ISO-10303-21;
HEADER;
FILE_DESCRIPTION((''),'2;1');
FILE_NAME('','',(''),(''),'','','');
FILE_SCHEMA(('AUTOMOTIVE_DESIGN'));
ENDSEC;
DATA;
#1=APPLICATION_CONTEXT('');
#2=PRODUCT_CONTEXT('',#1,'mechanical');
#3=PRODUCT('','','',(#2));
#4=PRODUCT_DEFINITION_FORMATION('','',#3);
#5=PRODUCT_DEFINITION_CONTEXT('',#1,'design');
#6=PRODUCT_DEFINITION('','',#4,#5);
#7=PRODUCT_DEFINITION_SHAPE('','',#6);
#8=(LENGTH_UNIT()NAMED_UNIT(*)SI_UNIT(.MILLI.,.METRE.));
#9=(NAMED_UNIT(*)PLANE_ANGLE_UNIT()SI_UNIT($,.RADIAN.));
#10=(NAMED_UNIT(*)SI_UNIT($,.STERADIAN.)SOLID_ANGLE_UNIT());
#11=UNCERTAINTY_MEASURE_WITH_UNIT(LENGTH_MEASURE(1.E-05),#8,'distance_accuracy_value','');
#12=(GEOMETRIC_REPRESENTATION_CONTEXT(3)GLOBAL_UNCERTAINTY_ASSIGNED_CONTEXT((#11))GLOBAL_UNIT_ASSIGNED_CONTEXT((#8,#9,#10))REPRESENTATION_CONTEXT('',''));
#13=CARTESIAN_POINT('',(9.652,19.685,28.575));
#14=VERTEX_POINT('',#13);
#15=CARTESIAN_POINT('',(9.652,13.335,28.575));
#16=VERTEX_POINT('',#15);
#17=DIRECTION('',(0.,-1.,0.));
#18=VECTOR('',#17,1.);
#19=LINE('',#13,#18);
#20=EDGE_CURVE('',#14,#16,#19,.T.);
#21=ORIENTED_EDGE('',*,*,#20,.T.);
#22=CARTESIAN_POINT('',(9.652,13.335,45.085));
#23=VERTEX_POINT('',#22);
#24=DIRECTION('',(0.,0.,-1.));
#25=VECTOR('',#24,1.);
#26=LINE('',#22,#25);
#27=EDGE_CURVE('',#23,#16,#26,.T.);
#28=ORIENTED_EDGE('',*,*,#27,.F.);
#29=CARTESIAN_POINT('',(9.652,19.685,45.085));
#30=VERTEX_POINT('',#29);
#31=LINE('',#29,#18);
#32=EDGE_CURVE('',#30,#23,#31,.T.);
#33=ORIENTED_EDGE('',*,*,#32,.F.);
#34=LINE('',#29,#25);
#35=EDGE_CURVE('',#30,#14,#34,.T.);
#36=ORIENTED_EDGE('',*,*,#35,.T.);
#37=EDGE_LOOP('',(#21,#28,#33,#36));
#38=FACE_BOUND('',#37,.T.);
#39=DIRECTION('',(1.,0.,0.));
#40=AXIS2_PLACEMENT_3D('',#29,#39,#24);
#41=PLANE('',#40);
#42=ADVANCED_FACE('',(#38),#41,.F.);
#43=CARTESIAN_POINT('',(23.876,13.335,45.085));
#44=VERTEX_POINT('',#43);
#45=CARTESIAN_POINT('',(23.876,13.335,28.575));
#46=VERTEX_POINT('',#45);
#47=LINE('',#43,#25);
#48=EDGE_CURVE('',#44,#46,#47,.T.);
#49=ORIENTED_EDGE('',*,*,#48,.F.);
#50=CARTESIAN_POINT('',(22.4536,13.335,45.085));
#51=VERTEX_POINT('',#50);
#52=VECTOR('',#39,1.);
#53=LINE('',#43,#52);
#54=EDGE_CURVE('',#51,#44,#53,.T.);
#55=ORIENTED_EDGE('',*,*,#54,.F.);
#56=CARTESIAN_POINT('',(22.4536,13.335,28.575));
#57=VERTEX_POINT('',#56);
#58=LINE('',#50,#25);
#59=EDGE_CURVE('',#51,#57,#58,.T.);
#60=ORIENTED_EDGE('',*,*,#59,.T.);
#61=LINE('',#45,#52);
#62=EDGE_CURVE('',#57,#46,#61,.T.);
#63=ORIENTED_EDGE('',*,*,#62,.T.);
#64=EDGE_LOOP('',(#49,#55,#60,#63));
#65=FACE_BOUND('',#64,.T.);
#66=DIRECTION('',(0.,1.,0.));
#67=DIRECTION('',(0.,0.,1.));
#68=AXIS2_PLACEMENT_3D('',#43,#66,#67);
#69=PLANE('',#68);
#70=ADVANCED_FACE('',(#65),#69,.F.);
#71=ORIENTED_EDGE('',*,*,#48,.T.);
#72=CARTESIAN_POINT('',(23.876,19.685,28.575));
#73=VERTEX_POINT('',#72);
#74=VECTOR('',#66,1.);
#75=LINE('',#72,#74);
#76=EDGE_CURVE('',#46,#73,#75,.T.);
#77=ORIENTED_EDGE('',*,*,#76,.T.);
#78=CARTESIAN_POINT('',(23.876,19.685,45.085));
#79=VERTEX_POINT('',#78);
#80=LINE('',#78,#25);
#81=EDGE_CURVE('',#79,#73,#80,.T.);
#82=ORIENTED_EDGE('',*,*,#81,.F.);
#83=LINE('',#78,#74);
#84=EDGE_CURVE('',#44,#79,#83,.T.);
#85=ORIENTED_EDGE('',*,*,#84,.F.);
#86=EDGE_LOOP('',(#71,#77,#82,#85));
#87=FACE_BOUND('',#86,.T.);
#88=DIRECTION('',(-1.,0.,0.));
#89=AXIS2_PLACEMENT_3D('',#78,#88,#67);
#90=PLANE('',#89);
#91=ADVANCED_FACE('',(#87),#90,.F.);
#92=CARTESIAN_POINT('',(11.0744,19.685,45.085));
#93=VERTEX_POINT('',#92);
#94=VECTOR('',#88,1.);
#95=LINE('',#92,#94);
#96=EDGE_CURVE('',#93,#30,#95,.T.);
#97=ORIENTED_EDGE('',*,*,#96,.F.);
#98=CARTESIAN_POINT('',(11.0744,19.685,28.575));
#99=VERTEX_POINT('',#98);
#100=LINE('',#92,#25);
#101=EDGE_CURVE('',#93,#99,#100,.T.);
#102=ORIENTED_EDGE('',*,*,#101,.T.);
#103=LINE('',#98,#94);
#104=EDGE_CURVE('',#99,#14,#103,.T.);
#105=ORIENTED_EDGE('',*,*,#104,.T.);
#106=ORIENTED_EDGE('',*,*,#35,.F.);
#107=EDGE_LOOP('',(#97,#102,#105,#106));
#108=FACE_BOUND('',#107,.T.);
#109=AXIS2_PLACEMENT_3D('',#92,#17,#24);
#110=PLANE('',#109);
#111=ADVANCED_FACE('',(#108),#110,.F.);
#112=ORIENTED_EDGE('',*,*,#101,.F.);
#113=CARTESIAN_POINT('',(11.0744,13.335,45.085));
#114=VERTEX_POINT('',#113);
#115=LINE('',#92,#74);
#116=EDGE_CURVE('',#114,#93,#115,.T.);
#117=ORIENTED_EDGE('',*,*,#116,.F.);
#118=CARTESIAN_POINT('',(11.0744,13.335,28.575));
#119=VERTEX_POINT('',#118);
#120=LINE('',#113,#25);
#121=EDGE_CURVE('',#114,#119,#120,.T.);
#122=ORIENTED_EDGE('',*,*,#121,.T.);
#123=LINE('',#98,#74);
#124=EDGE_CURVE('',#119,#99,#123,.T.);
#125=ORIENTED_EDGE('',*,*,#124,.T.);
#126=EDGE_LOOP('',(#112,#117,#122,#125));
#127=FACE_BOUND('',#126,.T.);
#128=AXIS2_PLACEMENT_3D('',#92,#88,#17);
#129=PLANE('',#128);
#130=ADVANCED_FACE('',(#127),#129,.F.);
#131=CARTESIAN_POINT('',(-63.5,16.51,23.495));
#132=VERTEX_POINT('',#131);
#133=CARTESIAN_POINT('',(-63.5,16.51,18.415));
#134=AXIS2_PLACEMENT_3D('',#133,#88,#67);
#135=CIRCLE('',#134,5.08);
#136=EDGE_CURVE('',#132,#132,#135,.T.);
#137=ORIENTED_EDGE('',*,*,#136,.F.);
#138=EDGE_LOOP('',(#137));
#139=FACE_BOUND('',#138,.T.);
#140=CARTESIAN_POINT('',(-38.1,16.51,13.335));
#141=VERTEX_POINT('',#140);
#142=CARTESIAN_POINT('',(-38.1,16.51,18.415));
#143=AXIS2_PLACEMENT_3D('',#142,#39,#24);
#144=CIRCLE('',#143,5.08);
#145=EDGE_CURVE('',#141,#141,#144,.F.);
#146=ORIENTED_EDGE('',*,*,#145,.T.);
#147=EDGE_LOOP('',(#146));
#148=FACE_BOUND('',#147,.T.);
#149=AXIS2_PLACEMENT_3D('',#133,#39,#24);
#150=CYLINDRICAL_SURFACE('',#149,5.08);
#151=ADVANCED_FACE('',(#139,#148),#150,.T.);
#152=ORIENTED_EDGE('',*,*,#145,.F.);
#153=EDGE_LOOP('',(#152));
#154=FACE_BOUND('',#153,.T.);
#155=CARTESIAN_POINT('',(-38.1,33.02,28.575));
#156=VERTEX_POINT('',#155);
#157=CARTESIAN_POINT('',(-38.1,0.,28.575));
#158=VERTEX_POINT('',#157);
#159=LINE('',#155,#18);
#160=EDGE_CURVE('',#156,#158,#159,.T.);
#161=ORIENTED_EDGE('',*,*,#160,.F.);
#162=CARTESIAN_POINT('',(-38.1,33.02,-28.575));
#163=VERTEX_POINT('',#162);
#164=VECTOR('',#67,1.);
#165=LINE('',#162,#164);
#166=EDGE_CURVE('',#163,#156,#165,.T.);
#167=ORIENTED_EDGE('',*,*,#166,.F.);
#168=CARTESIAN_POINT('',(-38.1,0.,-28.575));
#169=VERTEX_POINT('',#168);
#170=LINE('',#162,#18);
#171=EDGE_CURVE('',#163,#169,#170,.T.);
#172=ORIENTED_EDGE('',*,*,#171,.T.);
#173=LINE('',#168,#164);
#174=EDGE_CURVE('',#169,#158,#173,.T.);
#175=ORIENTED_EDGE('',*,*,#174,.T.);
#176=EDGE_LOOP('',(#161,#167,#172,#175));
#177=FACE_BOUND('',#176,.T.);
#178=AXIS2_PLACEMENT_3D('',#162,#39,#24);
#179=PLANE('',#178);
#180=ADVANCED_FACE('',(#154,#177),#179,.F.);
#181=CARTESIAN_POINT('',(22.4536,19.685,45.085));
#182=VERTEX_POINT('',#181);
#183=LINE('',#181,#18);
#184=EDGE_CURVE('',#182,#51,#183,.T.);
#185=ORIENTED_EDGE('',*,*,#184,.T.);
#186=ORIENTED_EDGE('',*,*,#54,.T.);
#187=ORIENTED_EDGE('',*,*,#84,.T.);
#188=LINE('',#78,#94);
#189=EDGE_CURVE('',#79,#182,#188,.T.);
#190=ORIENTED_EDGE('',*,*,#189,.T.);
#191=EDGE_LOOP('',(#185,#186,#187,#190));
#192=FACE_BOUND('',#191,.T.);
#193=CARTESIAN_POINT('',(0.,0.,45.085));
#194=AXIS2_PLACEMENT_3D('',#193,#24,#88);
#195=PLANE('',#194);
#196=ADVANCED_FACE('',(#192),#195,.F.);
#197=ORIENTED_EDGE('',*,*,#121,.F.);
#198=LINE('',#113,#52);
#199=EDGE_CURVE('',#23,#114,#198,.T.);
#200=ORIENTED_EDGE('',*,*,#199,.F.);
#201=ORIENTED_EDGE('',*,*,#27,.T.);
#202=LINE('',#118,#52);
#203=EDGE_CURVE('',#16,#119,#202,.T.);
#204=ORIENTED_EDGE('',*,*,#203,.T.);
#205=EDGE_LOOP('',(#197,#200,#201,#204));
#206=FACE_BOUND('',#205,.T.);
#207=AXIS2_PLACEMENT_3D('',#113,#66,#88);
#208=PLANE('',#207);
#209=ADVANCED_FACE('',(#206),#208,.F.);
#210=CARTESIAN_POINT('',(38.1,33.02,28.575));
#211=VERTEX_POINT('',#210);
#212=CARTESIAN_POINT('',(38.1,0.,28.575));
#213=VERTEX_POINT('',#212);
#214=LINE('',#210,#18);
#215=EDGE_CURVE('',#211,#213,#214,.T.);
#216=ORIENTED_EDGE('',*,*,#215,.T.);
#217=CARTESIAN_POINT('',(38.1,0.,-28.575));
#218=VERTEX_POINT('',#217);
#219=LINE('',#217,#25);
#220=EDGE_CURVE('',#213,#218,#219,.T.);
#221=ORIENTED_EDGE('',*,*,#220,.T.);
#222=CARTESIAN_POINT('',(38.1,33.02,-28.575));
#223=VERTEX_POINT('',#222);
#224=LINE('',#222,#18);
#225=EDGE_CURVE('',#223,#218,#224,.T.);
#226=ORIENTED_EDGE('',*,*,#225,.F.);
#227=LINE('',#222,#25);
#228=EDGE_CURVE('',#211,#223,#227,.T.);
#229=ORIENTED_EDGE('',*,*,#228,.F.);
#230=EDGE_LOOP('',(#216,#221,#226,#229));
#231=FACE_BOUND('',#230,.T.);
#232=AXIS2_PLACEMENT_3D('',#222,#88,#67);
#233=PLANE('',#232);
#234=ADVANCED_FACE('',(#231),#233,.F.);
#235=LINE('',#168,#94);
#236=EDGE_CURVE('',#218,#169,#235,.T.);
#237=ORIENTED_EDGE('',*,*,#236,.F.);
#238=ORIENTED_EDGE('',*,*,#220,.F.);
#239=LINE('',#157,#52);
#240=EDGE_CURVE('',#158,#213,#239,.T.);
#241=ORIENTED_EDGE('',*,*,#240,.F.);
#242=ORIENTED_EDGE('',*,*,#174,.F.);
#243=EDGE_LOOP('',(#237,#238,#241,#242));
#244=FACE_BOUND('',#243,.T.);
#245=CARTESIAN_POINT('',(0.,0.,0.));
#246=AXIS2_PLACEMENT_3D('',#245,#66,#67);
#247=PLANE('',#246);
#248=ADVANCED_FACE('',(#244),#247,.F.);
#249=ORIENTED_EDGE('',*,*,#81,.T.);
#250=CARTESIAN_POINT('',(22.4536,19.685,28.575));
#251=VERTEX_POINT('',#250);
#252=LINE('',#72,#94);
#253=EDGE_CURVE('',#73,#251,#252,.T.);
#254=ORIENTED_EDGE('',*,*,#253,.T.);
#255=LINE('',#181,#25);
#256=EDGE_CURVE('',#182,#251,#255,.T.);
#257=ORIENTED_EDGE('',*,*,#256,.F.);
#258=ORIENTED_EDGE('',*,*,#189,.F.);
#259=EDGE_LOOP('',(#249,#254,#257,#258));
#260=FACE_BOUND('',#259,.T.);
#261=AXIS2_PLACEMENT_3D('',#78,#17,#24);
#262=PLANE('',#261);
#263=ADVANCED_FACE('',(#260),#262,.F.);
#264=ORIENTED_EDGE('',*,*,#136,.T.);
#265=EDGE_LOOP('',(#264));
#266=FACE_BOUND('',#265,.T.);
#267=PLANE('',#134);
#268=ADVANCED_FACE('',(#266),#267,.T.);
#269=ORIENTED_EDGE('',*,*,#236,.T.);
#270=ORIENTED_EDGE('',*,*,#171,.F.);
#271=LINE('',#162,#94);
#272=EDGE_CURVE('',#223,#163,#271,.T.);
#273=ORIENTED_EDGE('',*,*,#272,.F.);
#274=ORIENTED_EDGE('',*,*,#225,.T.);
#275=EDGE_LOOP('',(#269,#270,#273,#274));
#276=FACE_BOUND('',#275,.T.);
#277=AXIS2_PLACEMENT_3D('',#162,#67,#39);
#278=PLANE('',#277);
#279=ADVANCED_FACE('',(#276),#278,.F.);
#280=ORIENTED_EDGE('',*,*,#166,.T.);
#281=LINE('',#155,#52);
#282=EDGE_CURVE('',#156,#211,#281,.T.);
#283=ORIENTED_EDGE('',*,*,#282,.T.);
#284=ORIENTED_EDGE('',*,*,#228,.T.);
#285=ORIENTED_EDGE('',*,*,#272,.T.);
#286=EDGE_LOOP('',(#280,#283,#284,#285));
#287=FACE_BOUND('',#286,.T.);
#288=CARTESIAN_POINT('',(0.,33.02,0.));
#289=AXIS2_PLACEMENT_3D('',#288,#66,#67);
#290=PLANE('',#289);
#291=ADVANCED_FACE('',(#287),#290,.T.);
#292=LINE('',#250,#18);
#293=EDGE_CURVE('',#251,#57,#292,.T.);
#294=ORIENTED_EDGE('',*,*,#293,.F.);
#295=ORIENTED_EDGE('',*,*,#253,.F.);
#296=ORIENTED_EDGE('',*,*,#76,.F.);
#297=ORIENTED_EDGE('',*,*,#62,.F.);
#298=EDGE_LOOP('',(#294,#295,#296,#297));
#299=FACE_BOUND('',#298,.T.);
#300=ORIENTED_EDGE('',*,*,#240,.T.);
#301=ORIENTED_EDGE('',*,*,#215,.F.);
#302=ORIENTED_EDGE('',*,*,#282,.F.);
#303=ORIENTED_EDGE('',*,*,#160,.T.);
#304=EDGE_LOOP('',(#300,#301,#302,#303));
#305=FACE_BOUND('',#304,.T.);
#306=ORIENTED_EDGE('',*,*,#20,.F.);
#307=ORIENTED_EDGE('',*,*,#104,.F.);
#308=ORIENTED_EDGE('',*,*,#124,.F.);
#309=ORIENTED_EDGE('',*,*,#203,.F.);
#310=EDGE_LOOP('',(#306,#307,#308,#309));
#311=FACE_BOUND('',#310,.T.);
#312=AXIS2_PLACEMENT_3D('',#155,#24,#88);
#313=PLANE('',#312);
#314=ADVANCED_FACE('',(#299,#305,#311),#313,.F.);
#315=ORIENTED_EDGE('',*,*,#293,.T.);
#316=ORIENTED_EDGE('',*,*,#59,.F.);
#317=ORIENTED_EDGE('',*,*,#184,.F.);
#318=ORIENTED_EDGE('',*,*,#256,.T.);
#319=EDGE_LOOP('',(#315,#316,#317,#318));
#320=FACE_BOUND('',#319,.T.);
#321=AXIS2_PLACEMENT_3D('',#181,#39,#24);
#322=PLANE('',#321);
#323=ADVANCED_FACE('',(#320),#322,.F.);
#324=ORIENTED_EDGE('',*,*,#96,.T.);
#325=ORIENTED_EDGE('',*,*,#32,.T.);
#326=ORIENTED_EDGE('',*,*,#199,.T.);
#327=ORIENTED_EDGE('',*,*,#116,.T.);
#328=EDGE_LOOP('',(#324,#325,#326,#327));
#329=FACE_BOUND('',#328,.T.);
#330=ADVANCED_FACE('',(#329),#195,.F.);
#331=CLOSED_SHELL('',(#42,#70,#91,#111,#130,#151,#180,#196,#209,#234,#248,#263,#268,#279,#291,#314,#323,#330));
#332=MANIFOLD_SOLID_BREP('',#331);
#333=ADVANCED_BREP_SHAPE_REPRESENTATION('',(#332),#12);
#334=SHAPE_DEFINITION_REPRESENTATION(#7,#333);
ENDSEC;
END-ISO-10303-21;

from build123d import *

# Parameters (mm, degrees)
SKETCH1_W           = 76.2
SKETCH1_H           = 57.15
BOSS_EXTRUDE1_DEPTH = 33.02
SKETCH2_R           = 5.08
BOSS_EXTRUDE2_DEPTH = 25.4
SKETCH3_W           = 1.4224
SKETCH3_H           = 6.35
BOSS_EXTRUDE3_DEPTH = 16.51


with BuildPart() as part:
    # Sketch1 → Boss-Extrude1 (new body)
    with BuildSketch(Plane(origin=(0, 0, 0), x_dir=(1, 0, 0), z_dir=(0, 1, 0))):
        Rectangle(SKETCH1_W, SKETCH1_H)
    extrude(amount=BOSS_EXTRUDE1_DEPTH)

    # Sketch2 → Boss-Extrude2 (add)
    with BuildSketch(Plane.ZY.offset(38.1)):
        with Locations((18.415, 16.51)):
            Circle(SKETCH2_R)
    extrude(amount=BOSS_EXTRUDE2_DEPTH)

    # Sketch3 → Boss-Extrude3 (add)
    with BuildSketch(Plane.XY.offset(28.575)):
        with Locations((23.1648, 16.51)):
            Rectangle(SKETCH3_W, SKETCH3_H)
        with Locations((10.3632, 16.51)):
            Rectangle(SKETCH3_W, SKETCH3_H)
    extrude(amount=BOSS_EXTRUDE3_DEPTH)


solid = part.part
